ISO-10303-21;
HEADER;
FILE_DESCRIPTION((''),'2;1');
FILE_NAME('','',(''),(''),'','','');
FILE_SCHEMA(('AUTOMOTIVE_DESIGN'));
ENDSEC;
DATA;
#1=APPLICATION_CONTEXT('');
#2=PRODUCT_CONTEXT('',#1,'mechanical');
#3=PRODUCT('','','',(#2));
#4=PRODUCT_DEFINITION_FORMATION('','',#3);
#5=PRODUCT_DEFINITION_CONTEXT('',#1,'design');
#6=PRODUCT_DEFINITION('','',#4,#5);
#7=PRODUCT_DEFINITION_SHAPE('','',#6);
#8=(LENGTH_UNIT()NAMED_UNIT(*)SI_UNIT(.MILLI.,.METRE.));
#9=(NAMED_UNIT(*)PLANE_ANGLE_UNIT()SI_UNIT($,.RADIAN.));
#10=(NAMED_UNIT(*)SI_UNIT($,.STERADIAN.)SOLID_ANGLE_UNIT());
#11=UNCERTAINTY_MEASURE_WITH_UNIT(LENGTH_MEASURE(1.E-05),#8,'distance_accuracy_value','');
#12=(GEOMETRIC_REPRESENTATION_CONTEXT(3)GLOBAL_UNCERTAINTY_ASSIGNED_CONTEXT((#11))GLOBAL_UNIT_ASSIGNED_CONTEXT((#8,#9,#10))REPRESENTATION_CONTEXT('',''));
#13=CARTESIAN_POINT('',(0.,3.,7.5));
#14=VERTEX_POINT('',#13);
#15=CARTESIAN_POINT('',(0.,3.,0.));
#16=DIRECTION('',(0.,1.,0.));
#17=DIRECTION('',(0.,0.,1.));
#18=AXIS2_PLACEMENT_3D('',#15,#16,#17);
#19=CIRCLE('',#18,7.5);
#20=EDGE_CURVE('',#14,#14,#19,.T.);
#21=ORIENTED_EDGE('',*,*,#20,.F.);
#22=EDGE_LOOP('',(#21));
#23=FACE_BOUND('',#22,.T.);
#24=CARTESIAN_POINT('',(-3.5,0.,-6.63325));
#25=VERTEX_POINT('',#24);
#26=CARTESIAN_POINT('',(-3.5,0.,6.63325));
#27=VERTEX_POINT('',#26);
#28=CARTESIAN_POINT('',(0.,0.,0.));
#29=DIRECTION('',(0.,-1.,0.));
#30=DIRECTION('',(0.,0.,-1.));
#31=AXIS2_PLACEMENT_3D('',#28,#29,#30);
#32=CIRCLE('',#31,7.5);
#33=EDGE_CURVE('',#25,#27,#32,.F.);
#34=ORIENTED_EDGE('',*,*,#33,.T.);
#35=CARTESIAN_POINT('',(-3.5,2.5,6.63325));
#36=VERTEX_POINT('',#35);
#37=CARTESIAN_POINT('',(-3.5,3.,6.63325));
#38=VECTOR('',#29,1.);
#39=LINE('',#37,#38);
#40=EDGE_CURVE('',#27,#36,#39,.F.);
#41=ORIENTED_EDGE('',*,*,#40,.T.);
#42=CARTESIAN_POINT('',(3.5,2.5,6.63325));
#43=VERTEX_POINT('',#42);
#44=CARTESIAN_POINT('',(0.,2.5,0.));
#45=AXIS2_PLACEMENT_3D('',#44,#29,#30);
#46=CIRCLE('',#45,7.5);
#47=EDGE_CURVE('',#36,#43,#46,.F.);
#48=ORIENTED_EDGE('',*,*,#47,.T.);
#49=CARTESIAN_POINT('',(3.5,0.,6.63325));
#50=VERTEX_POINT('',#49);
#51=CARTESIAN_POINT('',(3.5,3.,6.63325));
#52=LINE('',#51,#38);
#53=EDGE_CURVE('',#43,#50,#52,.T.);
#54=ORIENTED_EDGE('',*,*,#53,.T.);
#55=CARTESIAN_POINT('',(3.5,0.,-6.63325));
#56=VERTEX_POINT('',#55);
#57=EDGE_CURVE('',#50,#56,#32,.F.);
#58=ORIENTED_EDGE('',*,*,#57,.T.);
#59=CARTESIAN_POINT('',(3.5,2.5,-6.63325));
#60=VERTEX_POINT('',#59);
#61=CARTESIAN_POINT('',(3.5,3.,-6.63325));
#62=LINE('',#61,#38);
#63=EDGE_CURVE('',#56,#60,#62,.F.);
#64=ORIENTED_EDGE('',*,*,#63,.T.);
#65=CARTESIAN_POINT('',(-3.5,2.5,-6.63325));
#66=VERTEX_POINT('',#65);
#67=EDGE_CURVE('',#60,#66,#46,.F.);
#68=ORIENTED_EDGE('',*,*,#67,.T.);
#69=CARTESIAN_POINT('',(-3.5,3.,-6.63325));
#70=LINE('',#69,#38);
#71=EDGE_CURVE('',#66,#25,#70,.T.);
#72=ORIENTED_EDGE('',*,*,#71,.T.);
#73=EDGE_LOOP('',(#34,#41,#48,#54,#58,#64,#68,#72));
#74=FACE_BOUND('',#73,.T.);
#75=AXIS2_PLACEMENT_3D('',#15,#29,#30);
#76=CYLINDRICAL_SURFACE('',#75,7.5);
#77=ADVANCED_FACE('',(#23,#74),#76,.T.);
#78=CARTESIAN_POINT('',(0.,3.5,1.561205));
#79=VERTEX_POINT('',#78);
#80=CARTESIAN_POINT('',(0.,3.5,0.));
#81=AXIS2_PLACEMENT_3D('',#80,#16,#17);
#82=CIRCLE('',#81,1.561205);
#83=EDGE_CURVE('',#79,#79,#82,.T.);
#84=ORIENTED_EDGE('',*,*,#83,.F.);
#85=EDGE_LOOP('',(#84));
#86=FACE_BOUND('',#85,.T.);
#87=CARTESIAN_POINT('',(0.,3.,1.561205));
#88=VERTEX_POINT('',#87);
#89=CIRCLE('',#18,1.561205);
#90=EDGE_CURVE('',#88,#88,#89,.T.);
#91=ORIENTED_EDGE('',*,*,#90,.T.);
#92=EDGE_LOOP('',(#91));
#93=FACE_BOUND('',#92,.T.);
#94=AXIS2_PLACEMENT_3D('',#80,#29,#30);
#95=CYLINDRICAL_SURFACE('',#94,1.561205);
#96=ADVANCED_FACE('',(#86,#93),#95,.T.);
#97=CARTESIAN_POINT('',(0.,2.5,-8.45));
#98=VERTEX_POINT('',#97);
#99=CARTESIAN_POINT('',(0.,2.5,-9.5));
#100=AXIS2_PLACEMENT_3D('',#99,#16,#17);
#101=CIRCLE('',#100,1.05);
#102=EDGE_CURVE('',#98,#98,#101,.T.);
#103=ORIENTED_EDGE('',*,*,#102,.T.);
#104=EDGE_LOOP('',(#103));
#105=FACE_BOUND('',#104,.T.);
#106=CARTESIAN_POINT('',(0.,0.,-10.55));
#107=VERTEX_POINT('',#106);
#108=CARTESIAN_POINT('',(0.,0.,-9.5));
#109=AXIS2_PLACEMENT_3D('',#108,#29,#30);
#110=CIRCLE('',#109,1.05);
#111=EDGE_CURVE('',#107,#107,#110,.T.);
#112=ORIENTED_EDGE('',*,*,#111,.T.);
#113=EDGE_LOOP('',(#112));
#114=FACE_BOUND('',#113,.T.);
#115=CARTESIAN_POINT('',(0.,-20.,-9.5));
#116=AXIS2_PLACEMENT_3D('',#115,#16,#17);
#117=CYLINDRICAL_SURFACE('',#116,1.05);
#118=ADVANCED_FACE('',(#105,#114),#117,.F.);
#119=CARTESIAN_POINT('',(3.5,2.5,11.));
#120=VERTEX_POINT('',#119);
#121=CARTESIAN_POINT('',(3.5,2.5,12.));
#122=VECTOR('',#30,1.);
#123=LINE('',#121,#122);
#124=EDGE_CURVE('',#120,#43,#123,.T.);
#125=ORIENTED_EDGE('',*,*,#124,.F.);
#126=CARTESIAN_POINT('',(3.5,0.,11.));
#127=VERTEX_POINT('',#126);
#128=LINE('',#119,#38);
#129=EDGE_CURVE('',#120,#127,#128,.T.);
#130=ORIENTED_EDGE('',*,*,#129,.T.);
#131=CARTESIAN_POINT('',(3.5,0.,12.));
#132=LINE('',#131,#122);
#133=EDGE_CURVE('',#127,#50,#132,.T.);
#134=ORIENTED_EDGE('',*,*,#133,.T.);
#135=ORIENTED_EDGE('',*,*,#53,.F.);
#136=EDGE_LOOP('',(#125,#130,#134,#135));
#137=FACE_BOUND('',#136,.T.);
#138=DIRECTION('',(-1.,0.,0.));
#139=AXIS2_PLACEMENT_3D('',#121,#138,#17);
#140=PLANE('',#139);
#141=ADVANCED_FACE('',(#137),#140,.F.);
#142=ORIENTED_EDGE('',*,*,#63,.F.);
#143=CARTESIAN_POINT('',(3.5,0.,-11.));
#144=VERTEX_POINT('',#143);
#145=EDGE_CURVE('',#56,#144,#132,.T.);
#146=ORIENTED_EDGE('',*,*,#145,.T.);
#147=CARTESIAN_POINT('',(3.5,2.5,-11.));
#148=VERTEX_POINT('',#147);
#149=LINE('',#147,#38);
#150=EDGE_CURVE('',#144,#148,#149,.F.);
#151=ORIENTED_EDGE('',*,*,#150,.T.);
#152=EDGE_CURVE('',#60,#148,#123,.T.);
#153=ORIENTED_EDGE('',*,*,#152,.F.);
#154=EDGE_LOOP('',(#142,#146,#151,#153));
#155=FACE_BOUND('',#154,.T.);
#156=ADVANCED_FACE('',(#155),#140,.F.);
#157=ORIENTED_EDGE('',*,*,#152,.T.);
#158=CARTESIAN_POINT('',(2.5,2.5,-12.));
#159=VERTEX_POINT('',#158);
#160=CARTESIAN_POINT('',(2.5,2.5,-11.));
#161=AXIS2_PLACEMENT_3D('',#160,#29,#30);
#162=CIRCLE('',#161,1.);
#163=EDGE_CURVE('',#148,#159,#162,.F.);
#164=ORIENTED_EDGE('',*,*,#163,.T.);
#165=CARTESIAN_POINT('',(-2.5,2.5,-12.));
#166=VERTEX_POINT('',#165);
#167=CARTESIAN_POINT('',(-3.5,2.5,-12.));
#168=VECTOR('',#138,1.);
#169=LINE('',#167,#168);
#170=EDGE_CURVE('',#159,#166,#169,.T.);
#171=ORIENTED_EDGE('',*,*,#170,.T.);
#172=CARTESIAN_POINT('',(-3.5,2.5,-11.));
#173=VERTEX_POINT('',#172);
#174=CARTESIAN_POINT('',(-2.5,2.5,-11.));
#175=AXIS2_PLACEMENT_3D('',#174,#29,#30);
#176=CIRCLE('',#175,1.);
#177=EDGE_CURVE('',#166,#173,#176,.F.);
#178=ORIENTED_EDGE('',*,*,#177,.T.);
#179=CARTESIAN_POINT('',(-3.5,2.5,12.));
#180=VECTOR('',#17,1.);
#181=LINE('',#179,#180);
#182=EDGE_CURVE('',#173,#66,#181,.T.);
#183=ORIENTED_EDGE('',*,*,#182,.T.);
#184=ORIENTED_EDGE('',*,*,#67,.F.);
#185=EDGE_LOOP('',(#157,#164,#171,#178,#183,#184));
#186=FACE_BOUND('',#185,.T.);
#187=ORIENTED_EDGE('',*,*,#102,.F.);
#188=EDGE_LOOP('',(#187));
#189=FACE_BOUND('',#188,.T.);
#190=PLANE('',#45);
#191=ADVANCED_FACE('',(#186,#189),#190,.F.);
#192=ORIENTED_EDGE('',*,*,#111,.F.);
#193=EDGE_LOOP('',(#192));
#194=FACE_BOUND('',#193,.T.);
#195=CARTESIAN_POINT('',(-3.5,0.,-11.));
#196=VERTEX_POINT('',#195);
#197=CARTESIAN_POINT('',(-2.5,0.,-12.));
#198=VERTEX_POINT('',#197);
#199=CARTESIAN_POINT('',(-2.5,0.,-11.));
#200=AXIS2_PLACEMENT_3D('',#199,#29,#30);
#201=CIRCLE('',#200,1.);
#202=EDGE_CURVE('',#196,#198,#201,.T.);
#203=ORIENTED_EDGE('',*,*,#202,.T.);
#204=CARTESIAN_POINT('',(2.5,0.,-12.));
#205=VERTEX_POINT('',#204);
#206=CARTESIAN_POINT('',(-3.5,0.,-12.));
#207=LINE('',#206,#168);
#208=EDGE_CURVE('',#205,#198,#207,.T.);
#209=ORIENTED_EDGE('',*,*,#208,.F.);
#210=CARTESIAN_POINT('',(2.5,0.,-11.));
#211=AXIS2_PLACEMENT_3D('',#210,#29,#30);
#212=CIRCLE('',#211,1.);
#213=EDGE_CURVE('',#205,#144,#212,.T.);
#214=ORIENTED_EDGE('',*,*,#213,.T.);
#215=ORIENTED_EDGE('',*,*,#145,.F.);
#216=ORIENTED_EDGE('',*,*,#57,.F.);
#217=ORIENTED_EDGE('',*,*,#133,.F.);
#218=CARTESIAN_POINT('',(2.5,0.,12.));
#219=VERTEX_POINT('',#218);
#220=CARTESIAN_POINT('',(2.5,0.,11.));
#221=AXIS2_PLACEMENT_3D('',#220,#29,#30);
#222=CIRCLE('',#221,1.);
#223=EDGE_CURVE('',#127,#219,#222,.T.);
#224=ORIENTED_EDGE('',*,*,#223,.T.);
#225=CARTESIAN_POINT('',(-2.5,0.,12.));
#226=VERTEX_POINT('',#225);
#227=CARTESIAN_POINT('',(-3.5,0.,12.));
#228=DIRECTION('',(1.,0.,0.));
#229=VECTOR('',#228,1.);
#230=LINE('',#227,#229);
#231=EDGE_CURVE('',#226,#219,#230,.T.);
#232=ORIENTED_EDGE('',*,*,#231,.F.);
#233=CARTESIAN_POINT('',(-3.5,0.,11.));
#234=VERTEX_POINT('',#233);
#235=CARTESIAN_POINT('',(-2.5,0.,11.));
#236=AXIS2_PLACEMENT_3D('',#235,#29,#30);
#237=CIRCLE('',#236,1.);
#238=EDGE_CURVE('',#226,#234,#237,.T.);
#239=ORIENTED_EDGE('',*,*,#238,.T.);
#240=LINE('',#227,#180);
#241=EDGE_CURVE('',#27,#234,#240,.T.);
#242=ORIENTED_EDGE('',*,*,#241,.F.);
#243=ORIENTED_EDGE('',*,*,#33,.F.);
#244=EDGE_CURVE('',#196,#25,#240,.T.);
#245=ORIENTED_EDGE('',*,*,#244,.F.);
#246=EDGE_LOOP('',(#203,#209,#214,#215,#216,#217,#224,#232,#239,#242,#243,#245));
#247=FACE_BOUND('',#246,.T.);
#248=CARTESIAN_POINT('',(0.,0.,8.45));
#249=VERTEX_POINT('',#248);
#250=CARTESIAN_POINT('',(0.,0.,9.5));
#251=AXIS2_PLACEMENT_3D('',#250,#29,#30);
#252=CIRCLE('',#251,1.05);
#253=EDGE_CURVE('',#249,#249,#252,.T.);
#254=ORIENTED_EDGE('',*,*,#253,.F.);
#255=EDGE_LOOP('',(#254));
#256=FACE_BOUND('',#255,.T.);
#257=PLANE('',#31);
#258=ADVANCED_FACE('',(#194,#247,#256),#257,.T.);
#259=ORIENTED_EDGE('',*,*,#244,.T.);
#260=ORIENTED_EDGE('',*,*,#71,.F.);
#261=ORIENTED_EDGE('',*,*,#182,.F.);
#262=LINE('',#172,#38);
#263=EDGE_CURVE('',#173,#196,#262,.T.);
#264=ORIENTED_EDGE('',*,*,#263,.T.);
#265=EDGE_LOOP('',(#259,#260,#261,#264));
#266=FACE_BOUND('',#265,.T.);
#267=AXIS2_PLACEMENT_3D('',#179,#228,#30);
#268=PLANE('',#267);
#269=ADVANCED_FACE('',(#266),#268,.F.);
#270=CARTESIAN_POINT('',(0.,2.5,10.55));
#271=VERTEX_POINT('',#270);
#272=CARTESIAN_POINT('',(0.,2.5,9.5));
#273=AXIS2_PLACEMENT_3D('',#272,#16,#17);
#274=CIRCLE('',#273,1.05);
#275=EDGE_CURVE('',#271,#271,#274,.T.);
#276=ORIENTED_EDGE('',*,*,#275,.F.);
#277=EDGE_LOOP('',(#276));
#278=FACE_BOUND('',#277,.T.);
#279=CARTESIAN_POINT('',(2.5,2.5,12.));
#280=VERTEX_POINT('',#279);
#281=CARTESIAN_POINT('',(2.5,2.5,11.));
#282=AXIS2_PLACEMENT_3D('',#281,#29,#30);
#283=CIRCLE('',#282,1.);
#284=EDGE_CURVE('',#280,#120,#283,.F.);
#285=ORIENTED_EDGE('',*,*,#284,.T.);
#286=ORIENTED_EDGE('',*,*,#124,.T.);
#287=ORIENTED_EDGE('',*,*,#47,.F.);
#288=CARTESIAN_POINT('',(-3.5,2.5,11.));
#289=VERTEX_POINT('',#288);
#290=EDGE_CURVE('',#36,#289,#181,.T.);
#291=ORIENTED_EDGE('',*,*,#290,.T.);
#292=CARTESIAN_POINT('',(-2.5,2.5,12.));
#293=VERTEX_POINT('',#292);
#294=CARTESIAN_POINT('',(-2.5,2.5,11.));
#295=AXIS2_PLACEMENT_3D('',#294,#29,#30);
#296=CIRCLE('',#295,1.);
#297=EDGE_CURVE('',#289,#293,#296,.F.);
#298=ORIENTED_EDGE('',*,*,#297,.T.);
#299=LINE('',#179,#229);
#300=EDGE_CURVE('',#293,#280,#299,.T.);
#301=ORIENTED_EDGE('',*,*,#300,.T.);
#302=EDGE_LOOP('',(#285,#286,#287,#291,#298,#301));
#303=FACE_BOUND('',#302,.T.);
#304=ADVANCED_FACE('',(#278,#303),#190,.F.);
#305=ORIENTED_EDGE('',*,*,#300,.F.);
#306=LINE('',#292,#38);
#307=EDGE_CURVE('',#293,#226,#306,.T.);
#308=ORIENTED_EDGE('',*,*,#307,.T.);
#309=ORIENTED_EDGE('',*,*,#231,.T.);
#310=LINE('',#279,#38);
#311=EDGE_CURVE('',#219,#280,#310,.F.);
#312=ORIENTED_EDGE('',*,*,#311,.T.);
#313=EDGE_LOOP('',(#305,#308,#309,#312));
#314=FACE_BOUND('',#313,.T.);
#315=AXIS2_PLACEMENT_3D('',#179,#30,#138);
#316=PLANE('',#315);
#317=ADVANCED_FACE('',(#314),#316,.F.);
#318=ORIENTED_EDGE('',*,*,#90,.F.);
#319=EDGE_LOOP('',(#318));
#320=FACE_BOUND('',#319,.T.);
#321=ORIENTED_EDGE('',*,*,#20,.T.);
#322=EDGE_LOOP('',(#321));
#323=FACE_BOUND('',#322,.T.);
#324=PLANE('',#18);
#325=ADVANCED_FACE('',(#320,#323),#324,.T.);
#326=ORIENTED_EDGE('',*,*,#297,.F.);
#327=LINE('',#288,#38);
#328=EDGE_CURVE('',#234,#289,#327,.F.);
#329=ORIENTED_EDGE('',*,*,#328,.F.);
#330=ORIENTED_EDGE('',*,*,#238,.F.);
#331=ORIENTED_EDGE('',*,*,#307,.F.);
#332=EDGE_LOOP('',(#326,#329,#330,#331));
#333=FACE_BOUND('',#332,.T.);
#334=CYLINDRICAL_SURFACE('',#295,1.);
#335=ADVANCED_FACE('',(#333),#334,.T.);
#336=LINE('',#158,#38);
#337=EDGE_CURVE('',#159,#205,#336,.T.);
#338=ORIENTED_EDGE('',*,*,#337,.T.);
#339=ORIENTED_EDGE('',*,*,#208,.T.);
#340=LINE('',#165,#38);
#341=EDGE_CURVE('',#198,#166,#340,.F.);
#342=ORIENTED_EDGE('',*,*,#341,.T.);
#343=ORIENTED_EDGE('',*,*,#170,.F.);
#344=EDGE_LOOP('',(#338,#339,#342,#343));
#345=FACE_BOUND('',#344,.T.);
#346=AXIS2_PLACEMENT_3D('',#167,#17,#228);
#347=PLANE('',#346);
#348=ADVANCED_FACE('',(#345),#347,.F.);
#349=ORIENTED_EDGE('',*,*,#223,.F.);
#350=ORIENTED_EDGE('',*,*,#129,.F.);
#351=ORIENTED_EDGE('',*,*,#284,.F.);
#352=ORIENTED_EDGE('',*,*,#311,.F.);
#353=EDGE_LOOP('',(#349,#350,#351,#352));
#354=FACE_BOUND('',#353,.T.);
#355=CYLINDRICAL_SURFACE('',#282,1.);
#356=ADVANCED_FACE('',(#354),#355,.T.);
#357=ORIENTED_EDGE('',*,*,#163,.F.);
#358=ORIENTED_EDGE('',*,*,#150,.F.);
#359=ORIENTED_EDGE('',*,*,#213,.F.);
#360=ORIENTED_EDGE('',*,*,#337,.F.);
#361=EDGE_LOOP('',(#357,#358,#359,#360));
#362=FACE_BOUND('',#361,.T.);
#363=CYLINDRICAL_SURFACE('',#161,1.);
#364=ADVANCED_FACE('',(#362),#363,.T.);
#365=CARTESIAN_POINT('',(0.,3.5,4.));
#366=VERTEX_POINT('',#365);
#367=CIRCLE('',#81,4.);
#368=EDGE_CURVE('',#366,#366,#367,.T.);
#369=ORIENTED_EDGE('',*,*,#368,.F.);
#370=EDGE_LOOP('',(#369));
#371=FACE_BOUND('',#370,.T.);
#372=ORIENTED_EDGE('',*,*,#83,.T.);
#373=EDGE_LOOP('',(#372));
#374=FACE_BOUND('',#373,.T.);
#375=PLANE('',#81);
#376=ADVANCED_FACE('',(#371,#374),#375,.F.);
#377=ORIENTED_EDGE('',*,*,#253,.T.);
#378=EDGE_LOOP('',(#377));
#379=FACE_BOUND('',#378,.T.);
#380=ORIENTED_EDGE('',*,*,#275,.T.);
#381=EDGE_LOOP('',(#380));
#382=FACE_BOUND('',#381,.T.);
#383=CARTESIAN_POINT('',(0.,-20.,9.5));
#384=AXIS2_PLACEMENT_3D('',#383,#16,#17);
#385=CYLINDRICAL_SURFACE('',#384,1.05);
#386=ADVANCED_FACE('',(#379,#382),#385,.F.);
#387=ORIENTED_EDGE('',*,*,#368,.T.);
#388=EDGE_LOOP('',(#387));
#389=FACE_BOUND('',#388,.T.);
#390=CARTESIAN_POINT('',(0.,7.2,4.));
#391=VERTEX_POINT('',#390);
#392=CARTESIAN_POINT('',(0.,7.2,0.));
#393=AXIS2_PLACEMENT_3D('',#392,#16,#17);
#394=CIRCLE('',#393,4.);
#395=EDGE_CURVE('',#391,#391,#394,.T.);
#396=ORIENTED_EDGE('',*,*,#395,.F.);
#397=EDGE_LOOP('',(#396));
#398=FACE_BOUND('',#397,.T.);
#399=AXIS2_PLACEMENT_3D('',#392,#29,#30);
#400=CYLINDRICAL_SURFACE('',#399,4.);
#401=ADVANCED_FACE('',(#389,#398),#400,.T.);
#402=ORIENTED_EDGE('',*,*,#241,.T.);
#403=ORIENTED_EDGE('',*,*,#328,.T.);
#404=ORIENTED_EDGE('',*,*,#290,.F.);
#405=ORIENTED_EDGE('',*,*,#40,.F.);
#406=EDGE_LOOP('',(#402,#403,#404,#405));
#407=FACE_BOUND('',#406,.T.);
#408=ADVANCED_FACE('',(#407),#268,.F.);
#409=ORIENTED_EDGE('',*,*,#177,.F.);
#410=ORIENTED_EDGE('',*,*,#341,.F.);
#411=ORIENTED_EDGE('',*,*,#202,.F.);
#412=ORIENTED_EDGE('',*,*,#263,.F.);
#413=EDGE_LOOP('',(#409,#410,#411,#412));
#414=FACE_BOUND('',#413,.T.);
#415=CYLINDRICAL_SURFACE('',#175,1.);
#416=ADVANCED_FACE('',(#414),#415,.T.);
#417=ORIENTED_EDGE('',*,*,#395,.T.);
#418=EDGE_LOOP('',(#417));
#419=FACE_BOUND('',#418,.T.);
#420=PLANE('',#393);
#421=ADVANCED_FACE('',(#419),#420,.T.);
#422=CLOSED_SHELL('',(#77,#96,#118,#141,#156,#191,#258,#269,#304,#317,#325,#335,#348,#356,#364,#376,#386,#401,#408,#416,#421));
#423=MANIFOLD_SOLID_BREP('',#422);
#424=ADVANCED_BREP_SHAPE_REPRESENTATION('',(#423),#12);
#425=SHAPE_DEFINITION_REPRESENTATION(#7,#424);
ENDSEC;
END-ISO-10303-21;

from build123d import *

# Parameters (mm, degrees)
SKETCH1_W                = 7
SKETCH1_H                = 24
BOSS_EXTRUDE1_DEPTH      = 2.5
FILLET1_R                = 1
SKETCH2_R                = 7.5
BOSS_EXTRUDE2_DEPTH      = 0.5
BOSS_EXTRUDE2_DEPTH_BACK = 2.5
SKETCH3_R                = 1.05
CUT_EXTRUDE1_DEPTH       = 22.5
SKETCH5_R                = 1.561205439
BOSS_EXTRUDE3_DEPTH      = 0.5
SKETCH6_R                = 4
BOSS_EXTRUDE4_DEPTH      = 3.7


with BuildPart() as part:
    # Sketch1 → Boss-Extrude1 (new body)
    with BuildSketch(Plane(origin=(0, 0, 0), x_dir=(1, 0, 0), z_dir=(0, 1, 0))):
        Rectangle(SKETCH1_W, SKETCH1_H)
    extrude(amount=BOSS_EXTRUDE1_DEPTH)

    # Fillet1
    fillet1_edges = [part.edges().sort_by_distance(p)[0] for p in [
        (3.5, 1.25, 12),
        (-3.5, 1.25, 12),
        (-3.5, 1.25, -12),
        (3.5, 1.25, -12),
    ]]
    fillet(fillet1_edges, radius=FILLET1_R)

    # Sketch2 → Boss-Extrude2 (add, two sides)
    with BuildSketch(Plane(origin=(0, 2.5, 0), x_dir=(1, 0, 0), z_dir=(0, 1, 0))) as boss_extrude2_sk:
        Circle(SKETCH2_R)
    extrude(amount=BOSS_EXTRUDE2_DEPTH)
    extrude(boss_extrude2_sk.sketch, amount=-BOSS_EXTRUDE2_DEPTH_BACK)

    # Sketch3 → Cut-Extrude1 (cut)
    with BuildSketch(Plane(origin=(0, 2.5, 0), x_dir=(1, 0, 0), z_dir=(0, 1, 0))):
        with Locations((0, 9.5)):
            Circle(SKETCH3_R)
        with Locations((0, -9.5)):
            Circle(SKETCH3_R)
    extrude(amount=-CUT_EXTRUDE1_DEPTH, mode=Mode.SUBTRACT)

    # Sketch5 → Boss-Extrude3 (add)
    with BuildSketch(Plane(origin=(0, 3, 0), x_dir=(1, 0, 0), z_dir=(0, 1, 0))):
        Circle(SKETCH5_R)
    extrude(amount=BOSS_EXTRUDE3_DEPTH)

    # Sketch6 → Boss-Extrude4 (add)
    with BuildSketch(Plane(origin=(0, 3.5, 0), x_dir=(1, 0, 0), z_dir=(0, 1, 0))):
        Circle(SKETCH6_R)
    extrude(amount=BOSS_EXTRUDE4_DEPTH)


solid = part.part
